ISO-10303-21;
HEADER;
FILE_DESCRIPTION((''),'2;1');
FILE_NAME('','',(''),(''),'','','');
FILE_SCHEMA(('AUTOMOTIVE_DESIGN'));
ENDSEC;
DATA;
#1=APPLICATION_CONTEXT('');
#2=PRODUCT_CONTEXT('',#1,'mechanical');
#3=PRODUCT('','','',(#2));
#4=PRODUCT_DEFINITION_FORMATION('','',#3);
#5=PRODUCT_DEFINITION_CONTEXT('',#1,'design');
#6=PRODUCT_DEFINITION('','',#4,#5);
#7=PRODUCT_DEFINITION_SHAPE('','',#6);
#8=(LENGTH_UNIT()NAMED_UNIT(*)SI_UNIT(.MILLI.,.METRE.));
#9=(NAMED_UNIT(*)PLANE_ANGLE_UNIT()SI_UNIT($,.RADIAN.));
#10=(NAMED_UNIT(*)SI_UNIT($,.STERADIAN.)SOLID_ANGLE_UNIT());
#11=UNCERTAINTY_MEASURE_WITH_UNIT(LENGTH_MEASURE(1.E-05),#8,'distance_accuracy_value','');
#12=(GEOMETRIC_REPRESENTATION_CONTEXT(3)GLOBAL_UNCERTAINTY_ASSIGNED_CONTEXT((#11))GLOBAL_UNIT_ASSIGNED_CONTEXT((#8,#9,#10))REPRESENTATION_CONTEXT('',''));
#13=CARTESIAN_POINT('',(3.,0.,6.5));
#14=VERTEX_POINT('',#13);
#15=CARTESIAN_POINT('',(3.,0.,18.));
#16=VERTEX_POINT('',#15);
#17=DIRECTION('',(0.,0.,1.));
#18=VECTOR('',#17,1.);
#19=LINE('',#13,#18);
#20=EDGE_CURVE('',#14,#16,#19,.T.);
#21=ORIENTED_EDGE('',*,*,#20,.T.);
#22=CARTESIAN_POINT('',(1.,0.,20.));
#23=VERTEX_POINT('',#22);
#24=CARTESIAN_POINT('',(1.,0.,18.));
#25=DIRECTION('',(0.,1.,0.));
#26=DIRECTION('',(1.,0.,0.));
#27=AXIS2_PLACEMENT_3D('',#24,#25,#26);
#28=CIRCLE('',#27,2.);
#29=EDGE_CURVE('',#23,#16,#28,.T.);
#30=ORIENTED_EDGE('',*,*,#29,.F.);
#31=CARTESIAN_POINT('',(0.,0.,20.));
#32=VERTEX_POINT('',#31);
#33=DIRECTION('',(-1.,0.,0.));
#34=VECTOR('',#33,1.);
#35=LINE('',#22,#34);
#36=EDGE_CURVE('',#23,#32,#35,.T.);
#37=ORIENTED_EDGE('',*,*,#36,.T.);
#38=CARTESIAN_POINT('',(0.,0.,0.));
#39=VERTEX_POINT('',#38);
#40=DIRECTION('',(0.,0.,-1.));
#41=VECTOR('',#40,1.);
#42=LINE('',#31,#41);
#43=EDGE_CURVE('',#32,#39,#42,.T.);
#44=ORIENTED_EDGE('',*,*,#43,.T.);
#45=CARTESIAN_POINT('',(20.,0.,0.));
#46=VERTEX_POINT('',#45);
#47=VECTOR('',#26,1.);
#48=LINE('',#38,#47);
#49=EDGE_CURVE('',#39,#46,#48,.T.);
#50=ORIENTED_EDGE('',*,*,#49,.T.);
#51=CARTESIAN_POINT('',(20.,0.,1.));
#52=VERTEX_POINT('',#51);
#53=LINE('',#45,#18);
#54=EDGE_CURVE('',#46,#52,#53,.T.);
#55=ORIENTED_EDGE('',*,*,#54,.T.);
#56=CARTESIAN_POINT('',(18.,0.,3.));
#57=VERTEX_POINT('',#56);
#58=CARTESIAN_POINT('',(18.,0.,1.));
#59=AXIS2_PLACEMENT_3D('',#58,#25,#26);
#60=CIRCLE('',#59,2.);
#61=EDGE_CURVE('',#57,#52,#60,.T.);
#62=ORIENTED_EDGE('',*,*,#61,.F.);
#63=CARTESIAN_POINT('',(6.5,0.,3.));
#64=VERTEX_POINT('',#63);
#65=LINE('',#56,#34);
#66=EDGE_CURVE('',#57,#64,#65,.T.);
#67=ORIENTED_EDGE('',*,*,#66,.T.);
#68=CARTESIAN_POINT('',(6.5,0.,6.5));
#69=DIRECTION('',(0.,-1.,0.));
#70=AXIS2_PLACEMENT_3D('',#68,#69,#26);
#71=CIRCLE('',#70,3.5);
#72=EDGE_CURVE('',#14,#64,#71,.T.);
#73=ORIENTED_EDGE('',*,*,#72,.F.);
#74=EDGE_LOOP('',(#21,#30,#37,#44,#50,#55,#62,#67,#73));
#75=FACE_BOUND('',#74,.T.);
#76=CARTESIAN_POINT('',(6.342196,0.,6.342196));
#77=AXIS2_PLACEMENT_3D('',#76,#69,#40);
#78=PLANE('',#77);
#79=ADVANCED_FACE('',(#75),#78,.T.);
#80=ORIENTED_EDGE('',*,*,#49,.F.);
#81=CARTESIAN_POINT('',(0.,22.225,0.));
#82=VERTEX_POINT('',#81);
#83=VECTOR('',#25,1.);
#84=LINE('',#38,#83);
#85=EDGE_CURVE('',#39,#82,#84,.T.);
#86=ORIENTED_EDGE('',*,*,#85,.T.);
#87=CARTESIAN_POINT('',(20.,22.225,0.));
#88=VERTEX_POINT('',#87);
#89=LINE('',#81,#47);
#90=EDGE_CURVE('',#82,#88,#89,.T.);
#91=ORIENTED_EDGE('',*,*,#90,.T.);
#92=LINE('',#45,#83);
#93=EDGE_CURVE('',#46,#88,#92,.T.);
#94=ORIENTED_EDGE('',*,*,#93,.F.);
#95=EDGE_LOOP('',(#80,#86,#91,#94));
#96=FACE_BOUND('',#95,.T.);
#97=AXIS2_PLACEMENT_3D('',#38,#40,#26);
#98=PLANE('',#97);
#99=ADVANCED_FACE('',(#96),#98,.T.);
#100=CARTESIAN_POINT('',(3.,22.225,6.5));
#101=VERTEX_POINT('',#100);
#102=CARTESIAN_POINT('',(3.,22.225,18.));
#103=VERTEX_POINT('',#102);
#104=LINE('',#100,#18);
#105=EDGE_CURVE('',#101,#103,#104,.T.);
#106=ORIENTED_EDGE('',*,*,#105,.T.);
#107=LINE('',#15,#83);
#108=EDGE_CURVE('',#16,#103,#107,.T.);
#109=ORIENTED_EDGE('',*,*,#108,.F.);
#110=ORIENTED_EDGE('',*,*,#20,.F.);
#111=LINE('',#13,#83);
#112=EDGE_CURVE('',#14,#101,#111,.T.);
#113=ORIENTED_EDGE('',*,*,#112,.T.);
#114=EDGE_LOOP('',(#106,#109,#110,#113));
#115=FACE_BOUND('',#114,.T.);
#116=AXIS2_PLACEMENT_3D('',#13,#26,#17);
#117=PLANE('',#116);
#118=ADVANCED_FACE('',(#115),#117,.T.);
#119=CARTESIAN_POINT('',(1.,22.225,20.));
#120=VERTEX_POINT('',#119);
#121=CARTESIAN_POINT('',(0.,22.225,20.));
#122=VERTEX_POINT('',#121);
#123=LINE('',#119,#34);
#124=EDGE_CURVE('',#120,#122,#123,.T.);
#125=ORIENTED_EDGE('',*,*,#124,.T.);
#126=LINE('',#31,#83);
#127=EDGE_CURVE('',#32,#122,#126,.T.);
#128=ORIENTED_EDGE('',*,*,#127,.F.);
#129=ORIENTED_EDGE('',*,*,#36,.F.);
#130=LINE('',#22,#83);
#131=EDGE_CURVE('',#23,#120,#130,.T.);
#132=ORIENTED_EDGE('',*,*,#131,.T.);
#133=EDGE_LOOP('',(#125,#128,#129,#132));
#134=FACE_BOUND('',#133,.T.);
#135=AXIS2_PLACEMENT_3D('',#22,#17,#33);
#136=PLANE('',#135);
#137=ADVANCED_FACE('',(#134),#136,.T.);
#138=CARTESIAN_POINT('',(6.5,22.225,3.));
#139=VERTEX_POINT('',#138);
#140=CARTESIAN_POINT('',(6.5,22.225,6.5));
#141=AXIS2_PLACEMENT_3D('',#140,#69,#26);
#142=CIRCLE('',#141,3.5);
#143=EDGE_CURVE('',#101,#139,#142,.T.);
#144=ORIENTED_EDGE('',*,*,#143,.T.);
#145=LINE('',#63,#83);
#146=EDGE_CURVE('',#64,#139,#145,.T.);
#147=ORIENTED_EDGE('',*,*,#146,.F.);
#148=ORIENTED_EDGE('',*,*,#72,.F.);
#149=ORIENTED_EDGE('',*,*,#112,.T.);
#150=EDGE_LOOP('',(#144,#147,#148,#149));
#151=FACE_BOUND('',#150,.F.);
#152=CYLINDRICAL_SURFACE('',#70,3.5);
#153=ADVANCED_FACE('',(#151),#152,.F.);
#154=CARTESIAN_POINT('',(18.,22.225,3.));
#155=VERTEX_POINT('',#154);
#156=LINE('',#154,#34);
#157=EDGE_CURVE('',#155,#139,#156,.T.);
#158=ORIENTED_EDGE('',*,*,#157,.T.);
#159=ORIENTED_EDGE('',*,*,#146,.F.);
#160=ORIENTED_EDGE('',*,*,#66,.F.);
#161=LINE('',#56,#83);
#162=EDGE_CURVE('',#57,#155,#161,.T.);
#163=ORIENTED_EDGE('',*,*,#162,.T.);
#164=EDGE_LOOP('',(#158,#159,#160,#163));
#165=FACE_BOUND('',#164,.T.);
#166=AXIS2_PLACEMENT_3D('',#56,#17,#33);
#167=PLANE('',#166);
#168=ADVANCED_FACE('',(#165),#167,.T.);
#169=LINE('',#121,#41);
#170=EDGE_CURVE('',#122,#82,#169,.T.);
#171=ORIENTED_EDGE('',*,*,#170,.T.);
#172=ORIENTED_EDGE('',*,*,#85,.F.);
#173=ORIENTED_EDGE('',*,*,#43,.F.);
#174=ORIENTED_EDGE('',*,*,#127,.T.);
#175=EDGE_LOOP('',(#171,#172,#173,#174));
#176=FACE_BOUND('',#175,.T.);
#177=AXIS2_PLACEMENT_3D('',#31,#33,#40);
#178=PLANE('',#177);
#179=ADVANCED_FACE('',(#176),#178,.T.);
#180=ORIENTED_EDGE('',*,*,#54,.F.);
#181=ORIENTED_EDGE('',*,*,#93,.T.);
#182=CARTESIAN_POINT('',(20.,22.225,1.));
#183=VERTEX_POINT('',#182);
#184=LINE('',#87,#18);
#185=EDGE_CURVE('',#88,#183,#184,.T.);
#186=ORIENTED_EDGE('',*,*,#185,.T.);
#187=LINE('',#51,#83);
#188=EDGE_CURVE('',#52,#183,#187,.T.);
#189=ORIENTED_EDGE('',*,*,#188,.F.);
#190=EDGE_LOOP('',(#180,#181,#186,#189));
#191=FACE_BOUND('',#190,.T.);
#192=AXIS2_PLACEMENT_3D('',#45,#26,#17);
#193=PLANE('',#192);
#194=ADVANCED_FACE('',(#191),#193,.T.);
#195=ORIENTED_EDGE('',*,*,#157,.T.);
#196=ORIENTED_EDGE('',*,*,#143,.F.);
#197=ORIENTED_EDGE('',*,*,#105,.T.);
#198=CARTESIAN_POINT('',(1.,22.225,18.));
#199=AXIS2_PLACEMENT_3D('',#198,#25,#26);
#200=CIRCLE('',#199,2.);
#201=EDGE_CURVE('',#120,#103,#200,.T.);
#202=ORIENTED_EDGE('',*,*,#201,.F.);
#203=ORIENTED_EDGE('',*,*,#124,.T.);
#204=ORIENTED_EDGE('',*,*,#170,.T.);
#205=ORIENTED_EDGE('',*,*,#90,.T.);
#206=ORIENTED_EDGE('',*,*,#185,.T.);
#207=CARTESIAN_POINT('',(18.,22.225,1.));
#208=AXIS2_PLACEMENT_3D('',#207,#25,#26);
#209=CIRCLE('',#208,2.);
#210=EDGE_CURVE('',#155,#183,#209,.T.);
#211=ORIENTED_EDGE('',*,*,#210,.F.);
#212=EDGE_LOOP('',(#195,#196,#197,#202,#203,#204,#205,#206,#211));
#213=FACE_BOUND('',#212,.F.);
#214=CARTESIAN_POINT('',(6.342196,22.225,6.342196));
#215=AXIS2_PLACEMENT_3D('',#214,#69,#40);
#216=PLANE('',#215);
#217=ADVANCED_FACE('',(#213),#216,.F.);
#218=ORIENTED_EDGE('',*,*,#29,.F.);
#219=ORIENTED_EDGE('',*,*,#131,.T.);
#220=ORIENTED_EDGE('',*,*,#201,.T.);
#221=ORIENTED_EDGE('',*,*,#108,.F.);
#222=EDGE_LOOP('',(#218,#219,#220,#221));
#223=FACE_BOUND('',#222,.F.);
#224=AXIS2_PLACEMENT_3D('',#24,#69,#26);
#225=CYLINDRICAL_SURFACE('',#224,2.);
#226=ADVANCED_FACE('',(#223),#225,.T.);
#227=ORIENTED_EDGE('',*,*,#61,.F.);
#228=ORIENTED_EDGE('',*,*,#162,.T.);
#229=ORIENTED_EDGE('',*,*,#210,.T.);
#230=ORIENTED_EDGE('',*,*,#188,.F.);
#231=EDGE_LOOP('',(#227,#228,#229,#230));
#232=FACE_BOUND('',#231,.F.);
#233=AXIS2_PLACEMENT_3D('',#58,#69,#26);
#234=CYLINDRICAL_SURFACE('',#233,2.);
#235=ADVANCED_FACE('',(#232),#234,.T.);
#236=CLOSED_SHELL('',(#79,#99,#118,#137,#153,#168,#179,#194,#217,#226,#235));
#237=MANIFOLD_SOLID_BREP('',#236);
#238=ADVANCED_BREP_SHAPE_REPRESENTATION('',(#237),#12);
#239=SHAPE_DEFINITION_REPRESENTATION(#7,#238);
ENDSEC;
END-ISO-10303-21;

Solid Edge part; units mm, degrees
sketch "Sketch1" plane through (0, 0, 0) normal (0, -1, 0) x (1, 0, 0)
  line L0 (20, 0) -> (20, 1)
  arc A0 (18, 3) -> (20, 1) centre (18, 1) cw
  line L1 (18, 3) -> (6.5, 3)
  arc A1 (3, 6.5) -> (6.5, 3) centre (6.5, 6.5) ccw
  line L2 (3, 6.5) -> (3, 18)
  arc A2 (1, 20) -> (3, 18) centre (1, 18) cw
  line L3 (1, 20) -> (0, 20)
  line L4 (0, 20) -> (0, 0)
  line L5 (0, 0) -> (20, 0)
  dimension "D1" = 20
  dimension "D2" = 20
  dimension "D3" = 3
  dimension "D4" = 3
extrude "Protrusion1" add sketch "Sketch1" against normal blind 22.225
